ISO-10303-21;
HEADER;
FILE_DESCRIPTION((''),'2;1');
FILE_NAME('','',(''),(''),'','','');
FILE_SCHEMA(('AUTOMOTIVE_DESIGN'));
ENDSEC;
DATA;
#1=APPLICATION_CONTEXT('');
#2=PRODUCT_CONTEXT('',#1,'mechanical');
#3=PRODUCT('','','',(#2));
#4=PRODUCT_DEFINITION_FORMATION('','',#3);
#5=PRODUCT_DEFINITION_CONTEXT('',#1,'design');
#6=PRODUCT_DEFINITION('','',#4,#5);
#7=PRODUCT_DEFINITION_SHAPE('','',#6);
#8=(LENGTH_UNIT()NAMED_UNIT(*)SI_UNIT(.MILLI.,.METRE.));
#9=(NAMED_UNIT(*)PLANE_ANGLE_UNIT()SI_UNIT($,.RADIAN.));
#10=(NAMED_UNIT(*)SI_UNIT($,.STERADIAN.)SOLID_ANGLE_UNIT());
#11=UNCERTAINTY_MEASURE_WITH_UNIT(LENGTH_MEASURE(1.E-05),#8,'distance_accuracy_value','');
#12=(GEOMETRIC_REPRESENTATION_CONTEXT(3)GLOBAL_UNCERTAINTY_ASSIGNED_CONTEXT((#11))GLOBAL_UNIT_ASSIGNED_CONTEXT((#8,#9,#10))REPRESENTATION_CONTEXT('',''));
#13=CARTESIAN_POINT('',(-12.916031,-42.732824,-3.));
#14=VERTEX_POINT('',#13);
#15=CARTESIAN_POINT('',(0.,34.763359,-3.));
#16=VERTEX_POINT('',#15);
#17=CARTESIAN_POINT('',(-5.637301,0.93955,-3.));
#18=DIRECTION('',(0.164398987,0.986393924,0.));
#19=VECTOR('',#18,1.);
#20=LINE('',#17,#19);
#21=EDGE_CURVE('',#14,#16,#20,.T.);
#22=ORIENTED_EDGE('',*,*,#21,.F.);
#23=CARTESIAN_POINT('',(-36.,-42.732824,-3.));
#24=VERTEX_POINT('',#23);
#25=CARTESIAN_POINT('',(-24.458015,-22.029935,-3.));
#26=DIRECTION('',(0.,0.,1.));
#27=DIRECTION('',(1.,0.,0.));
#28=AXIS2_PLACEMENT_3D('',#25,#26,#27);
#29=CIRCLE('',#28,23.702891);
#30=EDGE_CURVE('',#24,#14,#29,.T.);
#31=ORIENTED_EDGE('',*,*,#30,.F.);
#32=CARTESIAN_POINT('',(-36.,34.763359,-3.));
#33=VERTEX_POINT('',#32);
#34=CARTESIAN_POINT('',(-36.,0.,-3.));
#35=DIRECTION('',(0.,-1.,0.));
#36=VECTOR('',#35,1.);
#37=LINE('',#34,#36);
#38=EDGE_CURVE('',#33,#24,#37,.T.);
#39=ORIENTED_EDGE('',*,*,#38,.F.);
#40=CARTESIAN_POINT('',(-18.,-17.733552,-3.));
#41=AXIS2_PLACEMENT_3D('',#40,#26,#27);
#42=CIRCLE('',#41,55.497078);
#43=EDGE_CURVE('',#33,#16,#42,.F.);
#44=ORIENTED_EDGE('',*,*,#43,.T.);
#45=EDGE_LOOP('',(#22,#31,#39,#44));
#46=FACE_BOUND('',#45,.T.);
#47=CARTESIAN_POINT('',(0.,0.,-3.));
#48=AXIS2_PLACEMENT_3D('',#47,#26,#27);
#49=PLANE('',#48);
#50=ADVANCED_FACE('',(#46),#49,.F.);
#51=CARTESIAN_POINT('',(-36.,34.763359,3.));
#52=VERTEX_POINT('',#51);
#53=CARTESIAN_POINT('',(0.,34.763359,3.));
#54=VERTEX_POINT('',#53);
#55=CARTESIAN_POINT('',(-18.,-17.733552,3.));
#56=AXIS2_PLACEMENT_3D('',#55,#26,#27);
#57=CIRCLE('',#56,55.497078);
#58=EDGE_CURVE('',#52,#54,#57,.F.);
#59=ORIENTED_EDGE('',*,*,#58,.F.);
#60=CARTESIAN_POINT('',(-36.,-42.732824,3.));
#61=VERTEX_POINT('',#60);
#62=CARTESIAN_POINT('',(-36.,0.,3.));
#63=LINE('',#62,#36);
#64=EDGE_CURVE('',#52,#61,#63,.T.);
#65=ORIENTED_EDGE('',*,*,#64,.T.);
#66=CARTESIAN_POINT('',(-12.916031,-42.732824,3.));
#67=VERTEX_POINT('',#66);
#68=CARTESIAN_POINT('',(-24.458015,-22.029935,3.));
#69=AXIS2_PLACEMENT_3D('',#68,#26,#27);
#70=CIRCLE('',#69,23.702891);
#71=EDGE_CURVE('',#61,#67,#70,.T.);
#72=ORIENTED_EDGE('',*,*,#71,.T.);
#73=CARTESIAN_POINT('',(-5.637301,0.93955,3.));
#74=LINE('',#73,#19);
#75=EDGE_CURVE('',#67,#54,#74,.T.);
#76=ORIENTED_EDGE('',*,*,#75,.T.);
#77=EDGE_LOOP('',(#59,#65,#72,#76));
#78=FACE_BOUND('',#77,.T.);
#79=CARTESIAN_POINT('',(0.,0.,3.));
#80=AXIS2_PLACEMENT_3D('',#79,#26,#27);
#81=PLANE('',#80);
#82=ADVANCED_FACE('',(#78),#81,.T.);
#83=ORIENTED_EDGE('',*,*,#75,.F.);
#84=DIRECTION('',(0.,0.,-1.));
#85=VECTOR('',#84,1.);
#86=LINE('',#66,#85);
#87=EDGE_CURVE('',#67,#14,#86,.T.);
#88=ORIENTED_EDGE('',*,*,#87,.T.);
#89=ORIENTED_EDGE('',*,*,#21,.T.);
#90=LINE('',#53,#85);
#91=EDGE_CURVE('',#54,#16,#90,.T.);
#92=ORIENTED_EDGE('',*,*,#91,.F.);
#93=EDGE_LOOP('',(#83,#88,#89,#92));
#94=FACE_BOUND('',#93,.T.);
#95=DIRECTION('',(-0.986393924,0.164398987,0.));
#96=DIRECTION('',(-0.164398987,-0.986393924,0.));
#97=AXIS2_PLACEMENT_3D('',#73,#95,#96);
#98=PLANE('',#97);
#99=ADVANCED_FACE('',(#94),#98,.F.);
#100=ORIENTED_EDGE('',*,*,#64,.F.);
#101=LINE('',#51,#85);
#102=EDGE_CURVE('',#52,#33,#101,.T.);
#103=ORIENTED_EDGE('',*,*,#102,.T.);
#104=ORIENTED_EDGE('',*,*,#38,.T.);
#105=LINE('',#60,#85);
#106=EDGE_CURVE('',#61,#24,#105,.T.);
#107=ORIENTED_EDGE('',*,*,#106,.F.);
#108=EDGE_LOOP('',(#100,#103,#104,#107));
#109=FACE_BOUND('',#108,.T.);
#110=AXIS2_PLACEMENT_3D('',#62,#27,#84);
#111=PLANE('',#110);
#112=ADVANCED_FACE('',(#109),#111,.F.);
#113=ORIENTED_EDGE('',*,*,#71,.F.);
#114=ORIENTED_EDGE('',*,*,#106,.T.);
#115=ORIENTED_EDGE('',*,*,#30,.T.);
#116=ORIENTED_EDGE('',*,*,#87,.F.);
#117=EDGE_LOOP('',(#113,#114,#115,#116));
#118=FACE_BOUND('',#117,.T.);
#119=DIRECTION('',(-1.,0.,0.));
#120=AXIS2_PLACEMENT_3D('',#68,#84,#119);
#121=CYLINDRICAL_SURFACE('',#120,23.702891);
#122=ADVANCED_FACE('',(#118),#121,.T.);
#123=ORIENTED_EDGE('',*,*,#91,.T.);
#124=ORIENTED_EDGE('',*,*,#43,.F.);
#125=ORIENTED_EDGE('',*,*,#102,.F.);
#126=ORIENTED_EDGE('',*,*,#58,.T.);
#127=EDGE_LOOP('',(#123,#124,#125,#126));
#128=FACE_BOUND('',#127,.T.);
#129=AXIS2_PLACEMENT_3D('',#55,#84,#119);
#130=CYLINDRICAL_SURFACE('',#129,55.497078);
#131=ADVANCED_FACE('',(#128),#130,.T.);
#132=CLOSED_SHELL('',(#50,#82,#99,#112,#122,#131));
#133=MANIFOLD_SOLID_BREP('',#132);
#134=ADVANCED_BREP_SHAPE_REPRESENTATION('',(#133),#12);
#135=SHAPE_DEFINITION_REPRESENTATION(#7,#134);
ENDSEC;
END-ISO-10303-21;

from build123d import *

# Parameters (mm, degrees)
BOSS_EXTRUDE1_DEPTH = 3


with BuildPart() as part:
    # Sketch1 → Boss-Extrude1 (new, symmetric)
    with BuildSketch(Plane.XY):
        with BuildLine():
            ThreePointArc((-36, 34.763358779), (-18, 37.763525749), (0, 34.763358779))
            Line((0, 34.763358779), (-36, 34.763358779))
        make_face()
        Polygon((-36, 34.763358779), (0, 34.763358779), (-12.916030534, -42.732824427), (-36, -42.732824427), align=None)
        with BuildLine():
            Line((-36, -42.732824427), (-12.916030534, -42.732824427))
            ThreePointArc((-12.916030534, -42.732824427), (-24.458015267, -45.732826068), (-36, -42.732824427))
        make_face()
    extrude(amount=BOSS_EXTRUDE1_DEPTH, both=True)


solid = part.part
